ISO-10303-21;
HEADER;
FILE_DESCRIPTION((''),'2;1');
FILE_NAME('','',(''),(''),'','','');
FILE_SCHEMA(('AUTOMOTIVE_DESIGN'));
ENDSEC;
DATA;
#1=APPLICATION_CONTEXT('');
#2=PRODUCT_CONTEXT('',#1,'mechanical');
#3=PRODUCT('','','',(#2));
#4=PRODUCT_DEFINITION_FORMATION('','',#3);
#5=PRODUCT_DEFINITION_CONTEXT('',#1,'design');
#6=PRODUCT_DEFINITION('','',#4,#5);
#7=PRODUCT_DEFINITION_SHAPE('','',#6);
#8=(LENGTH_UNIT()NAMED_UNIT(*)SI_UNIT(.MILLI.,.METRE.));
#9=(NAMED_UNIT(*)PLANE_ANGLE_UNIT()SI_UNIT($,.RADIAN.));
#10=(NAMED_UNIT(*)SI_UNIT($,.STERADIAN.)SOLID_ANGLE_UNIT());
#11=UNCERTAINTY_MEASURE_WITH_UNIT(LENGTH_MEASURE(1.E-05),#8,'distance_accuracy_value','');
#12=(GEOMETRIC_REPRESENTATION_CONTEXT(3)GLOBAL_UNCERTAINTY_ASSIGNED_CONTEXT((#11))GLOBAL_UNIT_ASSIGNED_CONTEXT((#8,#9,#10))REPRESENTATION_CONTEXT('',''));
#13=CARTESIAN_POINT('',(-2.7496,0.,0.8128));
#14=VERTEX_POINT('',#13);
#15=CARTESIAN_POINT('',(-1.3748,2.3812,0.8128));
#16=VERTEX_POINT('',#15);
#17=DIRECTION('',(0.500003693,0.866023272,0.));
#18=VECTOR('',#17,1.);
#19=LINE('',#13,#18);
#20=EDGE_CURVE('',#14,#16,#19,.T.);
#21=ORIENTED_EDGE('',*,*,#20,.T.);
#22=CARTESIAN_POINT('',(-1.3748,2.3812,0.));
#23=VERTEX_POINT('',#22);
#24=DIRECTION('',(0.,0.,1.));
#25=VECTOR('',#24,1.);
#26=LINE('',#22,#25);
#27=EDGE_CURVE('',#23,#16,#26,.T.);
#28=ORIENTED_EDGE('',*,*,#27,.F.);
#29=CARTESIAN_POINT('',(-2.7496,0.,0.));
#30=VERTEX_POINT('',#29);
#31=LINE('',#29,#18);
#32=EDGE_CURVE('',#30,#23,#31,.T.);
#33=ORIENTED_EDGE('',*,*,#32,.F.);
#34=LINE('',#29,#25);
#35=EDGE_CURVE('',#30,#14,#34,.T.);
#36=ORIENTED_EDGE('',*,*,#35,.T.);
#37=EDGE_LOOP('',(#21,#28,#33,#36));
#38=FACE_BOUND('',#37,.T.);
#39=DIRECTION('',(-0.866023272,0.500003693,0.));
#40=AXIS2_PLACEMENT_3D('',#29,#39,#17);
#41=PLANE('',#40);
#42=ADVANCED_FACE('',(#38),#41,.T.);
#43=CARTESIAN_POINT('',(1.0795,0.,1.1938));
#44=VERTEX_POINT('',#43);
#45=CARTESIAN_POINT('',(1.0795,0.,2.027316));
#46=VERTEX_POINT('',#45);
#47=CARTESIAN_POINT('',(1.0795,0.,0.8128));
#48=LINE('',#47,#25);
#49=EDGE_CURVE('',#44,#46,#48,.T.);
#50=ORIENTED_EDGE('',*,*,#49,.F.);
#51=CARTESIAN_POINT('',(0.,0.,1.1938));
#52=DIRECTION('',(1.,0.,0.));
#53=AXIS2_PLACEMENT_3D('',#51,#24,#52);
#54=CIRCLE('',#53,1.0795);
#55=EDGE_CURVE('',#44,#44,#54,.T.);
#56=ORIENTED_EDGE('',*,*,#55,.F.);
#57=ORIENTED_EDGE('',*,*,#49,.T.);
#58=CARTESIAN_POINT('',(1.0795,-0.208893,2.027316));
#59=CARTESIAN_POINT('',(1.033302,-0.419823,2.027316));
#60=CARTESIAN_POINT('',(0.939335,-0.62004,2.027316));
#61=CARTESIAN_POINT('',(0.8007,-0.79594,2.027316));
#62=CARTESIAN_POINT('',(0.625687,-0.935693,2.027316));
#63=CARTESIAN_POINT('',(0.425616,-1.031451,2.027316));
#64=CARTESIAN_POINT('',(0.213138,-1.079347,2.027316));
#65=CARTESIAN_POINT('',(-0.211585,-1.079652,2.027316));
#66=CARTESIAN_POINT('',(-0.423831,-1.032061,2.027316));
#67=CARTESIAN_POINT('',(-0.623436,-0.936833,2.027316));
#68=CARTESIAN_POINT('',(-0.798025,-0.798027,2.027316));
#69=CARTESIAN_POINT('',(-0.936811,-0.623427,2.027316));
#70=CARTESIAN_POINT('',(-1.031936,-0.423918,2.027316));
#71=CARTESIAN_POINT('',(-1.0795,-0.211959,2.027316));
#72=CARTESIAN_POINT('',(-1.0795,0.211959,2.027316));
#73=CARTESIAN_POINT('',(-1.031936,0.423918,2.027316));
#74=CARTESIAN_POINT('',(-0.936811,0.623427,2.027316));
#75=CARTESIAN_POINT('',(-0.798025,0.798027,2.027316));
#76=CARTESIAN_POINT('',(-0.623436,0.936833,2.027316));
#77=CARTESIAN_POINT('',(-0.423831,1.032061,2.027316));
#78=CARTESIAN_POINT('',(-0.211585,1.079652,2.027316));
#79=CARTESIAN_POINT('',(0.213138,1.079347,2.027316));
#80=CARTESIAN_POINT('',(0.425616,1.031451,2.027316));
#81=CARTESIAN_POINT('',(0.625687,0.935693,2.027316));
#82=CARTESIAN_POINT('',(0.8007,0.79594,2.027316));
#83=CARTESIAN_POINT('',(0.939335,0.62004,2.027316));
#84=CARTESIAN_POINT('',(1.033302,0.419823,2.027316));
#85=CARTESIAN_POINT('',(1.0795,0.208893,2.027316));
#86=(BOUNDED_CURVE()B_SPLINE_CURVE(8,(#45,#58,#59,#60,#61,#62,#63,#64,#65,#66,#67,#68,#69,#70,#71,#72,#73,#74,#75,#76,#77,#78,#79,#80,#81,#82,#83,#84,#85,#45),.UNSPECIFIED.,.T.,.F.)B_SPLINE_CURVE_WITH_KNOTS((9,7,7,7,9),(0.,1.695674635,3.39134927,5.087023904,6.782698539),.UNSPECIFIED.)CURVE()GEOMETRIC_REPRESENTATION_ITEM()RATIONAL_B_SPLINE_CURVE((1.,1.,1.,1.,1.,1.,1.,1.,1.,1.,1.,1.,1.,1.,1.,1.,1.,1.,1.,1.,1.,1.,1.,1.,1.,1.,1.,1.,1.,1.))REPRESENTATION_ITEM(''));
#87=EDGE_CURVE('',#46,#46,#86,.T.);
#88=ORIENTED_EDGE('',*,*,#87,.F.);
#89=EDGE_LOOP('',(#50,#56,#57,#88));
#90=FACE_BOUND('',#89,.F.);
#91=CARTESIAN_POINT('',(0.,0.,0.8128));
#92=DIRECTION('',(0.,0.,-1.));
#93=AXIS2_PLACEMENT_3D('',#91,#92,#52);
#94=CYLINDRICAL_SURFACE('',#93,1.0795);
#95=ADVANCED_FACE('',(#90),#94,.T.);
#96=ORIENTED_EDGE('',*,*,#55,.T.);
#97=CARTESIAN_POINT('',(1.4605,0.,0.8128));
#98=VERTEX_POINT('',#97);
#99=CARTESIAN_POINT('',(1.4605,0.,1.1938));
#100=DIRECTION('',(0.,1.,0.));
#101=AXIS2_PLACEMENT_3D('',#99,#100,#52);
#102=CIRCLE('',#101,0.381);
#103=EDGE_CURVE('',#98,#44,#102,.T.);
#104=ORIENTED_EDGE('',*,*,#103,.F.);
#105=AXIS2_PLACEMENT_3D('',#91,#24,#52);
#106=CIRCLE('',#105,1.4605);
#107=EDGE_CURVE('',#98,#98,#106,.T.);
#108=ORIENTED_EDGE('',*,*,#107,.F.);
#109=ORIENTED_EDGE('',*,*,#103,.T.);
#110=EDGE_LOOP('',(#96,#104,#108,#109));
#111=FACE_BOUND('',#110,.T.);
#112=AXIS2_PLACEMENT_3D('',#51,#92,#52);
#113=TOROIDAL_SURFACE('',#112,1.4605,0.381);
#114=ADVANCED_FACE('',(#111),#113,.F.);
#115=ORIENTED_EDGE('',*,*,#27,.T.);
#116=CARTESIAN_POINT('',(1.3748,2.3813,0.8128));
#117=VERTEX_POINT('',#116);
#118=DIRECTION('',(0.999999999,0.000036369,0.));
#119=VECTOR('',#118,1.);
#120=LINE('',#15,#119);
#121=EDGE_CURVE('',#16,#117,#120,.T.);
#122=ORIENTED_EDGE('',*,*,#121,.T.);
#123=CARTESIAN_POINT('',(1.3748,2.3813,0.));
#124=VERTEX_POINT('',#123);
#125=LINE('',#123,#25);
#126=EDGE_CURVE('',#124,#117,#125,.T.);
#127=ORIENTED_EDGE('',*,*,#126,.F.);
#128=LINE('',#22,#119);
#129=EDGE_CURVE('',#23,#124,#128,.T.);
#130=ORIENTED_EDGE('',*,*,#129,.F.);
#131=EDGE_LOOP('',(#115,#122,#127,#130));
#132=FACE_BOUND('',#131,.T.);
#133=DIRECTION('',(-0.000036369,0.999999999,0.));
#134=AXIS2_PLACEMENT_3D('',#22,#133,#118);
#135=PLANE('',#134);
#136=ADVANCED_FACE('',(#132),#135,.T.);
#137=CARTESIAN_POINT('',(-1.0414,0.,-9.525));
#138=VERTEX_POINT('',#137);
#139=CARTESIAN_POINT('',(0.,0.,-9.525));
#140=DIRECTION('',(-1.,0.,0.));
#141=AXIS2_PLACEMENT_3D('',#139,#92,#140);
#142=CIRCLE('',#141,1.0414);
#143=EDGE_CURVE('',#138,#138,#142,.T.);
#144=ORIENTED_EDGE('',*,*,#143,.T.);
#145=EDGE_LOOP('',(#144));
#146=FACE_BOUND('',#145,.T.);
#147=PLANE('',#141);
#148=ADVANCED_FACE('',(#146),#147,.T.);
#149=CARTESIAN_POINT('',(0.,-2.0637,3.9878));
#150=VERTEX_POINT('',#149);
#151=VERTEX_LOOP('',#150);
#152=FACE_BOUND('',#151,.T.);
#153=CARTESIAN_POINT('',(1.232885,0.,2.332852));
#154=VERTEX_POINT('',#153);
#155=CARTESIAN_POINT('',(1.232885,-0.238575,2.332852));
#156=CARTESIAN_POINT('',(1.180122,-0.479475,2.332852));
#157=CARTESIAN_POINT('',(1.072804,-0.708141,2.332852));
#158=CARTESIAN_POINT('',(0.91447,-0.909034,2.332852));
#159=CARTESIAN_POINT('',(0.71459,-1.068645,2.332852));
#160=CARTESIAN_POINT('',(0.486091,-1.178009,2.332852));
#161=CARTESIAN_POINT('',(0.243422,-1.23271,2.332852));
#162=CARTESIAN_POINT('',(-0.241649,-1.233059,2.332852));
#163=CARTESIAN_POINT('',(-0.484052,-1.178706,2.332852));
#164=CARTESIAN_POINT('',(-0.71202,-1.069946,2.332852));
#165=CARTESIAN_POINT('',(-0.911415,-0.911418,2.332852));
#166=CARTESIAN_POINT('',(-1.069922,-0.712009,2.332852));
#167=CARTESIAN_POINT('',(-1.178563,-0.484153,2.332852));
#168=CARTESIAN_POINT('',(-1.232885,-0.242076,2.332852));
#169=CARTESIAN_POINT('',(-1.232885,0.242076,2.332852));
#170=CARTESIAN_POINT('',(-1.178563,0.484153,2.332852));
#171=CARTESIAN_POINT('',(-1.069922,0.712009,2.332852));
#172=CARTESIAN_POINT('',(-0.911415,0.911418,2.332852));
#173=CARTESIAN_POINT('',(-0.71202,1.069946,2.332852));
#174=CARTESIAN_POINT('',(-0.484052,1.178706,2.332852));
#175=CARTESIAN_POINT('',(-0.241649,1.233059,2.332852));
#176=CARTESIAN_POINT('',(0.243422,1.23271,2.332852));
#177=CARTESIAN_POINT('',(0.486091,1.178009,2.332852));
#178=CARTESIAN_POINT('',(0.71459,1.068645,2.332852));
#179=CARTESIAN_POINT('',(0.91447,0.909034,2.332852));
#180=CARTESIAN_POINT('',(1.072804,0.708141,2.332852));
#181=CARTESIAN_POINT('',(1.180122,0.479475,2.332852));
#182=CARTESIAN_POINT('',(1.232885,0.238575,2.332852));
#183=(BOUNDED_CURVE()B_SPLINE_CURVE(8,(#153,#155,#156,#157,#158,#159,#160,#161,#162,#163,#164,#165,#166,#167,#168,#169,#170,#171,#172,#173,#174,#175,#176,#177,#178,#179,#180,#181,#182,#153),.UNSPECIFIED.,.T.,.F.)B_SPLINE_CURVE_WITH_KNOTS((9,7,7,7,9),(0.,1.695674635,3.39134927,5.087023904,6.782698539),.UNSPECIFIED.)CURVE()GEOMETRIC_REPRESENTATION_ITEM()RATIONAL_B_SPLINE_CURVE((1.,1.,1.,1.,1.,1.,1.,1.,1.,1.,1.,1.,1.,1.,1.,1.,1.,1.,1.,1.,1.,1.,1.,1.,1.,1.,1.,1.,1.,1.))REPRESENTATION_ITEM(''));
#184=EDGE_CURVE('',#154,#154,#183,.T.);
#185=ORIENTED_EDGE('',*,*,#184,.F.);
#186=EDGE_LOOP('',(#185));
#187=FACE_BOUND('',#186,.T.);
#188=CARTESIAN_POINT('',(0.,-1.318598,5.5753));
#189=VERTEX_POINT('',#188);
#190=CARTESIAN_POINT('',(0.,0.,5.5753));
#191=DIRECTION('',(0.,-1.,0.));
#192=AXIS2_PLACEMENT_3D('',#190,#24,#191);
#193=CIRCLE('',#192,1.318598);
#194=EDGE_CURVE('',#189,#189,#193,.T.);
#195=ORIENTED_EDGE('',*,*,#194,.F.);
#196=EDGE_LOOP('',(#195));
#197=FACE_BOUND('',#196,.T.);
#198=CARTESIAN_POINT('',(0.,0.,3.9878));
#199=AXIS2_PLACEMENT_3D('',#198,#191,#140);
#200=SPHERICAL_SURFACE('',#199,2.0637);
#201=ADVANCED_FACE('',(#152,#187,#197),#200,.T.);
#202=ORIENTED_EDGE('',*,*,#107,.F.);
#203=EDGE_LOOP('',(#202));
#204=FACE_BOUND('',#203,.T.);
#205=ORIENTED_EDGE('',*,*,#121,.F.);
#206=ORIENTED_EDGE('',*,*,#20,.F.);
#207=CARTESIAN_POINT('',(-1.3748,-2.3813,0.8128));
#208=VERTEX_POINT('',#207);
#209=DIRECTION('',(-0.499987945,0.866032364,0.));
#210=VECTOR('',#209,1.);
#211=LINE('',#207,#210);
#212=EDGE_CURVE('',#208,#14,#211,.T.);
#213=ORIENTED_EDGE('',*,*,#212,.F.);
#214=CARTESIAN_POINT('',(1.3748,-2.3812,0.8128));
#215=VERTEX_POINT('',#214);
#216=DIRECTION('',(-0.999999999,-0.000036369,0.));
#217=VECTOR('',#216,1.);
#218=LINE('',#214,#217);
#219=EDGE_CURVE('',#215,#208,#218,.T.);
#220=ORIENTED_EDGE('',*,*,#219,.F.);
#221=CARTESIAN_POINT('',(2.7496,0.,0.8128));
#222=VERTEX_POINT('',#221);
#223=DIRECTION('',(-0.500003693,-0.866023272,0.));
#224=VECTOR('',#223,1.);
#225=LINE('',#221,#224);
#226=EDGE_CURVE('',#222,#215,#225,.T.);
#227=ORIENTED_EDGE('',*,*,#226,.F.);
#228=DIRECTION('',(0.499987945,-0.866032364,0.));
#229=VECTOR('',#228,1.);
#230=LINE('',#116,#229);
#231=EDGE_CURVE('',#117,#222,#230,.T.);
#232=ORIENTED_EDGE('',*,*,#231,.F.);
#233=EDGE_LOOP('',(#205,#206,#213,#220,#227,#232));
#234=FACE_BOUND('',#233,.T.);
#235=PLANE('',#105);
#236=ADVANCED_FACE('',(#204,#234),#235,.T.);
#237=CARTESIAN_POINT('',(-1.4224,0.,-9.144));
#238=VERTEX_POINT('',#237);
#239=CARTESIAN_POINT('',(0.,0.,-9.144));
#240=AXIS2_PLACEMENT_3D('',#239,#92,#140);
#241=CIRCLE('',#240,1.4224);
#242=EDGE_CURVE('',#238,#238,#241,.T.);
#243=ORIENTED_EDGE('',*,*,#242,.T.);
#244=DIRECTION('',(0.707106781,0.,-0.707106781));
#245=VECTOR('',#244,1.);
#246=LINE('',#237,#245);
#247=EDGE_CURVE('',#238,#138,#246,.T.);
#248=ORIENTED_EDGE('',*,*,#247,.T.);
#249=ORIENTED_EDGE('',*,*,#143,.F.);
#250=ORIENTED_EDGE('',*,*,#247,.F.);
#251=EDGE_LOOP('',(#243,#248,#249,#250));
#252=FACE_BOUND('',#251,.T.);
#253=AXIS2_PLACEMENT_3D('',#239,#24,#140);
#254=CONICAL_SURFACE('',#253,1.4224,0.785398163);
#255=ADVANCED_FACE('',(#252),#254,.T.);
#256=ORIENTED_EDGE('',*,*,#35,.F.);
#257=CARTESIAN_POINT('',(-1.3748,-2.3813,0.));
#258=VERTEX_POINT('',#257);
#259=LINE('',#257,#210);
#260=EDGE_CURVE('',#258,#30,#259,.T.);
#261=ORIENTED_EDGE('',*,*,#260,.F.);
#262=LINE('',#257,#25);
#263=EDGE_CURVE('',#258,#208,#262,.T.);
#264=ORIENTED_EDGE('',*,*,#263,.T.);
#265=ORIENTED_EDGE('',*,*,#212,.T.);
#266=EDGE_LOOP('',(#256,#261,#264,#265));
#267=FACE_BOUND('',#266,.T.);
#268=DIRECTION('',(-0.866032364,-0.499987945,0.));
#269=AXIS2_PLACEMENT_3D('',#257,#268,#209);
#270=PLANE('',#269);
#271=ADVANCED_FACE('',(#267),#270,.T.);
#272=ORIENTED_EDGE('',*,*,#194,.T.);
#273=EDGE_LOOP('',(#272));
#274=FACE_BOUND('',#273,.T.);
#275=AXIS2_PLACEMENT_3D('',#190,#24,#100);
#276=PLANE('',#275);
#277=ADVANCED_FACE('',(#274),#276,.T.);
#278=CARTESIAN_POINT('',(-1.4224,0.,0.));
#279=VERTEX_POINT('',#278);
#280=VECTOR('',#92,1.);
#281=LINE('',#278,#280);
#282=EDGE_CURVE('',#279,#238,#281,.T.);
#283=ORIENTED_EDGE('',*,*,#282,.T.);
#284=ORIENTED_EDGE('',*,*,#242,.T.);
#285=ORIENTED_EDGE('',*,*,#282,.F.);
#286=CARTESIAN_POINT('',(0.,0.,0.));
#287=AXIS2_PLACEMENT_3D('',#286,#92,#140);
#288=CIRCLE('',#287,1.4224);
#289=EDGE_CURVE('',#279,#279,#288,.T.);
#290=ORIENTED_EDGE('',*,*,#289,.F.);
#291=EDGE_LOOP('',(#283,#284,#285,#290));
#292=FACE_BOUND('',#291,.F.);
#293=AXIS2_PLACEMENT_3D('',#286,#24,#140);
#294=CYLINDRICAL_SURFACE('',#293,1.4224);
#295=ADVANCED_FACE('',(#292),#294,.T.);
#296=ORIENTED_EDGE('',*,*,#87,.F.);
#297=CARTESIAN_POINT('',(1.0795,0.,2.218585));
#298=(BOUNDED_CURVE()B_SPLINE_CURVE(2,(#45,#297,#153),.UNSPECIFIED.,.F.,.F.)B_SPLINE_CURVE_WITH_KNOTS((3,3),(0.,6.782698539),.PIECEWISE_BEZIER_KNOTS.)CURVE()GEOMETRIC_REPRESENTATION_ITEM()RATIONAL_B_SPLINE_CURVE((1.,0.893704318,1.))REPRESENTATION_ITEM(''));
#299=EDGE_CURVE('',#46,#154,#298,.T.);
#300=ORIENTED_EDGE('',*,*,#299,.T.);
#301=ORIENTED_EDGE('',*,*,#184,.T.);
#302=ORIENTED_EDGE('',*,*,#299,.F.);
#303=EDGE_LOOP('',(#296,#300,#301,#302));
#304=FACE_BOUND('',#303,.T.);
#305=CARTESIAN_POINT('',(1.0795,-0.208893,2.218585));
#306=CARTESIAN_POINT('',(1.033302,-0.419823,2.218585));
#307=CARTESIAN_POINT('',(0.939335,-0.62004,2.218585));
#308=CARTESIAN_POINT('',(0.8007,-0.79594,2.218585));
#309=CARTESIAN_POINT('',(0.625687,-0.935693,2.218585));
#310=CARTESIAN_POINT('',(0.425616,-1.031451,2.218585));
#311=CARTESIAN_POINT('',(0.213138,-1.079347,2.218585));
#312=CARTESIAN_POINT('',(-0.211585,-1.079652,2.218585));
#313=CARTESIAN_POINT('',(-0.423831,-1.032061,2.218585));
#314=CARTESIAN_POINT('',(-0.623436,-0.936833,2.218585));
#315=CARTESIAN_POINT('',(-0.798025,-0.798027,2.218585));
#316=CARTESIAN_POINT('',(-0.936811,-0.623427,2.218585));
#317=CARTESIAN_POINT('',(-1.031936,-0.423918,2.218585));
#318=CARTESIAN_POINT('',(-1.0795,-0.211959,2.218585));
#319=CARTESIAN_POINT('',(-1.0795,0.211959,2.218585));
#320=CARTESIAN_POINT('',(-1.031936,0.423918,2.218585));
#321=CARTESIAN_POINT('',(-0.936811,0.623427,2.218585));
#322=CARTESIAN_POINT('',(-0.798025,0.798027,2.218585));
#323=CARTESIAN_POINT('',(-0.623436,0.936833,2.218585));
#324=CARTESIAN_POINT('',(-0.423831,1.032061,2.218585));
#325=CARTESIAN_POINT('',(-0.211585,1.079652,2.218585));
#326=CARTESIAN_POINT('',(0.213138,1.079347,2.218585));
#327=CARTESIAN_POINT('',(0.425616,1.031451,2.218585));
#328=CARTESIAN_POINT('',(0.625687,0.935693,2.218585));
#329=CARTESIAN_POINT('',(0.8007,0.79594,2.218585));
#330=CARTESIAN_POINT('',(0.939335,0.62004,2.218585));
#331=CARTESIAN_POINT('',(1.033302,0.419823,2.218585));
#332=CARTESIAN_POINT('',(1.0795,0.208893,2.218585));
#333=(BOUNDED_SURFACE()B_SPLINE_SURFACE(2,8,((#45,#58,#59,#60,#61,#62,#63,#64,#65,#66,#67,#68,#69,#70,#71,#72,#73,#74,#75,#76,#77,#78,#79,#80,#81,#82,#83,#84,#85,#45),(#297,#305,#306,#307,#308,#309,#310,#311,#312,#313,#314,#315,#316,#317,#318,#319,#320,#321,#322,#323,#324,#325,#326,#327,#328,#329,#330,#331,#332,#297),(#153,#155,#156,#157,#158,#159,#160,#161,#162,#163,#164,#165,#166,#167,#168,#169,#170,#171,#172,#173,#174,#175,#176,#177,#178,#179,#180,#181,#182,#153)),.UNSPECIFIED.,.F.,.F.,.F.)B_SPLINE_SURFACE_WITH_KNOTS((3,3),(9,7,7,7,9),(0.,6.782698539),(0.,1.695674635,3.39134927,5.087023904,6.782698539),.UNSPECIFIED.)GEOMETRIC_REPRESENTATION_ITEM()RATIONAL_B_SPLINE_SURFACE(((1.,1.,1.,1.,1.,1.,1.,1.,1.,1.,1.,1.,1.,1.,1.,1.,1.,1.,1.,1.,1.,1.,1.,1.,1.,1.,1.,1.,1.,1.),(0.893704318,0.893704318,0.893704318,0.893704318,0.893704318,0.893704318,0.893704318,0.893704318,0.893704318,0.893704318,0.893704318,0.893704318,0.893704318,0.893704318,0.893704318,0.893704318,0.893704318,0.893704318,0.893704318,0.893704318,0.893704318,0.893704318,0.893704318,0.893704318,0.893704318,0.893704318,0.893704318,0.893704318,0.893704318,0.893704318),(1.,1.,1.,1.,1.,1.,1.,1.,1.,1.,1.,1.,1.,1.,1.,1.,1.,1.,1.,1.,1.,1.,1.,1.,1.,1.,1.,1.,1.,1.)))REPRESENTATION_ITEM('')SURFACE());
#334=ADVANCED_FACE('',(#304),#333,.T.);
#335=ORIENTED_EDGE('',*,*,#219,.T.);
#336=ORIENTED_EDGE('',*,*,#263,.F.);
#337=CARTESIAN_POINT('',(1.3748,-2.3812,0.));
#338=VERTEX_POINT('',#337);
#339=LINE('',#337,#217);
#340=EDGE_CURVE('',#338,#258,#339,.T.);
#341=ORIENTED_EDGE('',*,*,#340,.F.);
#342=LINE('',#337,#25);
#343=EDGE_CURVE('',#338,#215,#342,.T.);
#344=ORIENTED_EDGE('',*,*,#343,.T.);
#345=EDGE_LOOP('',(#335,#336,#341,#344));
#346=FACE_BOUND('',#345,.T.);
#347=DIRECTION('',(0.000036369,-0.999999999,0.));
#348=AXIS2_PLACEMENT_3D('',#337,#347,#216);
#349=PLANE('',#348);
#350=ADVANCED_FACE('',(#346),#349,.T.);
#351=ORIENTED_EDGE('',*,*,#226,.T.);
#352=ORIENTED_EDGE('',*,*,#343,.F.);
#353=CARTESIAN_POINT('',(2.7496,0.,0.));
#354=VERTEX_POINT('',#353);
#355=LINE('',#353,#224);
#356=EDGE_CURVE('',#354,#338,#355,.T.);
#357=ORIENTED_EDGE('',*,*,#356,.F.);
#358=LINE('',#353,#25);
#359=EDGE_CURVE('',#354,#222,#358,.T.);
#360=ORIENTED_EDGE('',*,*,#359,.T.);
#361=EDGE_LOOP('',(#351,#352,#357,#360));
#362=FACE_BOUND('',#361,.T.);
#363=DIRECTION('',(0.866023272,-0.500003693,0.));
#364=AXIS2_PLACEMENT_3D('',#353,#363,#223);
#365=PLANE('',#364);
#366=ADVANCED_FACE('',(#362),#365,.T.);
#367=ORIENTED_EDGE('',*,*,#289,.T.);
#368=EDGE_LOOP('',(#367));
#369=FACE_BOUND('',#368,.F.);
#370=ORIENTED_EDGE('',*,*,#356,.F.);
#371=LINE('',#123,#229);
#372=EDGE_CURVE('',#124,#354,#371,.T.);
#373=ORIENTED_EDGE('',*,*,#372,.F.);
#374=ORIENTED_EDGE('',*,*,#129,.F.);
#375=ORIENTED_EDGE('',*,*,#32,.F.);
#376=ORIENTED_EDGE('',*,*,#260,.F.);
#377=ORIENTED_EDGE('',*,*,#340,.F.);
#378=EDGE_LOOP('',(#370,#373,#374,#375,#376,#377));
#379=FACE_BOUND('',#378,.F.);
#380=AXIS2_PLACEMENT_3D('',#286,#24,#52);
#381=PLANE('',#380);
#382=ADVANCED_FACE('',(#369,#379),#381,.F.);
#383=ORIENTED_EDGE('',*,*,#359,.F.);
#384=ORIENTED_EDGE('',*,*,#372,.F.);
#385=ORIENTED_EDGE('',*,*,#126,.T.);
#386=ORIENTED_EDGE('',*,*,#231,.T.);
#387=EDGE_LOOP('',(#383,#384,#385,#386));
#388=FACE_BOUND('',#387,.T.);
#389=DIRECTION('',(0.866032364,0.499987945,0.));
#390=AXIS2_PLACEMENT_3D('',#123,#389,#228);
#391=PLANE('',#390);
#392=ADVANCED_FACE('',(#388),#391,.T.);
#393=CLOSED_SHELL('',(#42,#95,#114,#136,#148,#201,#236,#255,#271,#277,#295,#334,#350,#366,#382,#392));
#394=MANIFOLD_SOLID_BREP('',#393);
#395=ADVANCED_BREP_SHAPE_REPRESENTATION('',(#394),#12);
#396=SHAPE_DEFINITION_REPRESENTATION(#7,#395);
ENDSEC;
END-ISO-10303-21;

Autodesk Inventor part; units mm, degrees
ref_plane "YZ Plane" through (0, 0, 0) normal (1, 0, 0) x (0, 1, 0)
ref_plane "XZ Plane" through (0, 0, 0) normal (0, 1, 0) x (-1, 0, 0)
sketch "Sketch1" plane through (0, 0, 0) normal (0, 0, 1) x (1, 0, 0)
  circle A0 centre (0, 0) radius 2.3813 construction
  line L0 (1.3748, 2.3813) -> (2.7496, 0)
  line L1 (2.7496, 0) -> (1.3748, -2.3812)
  line L2 (1.3748, -2.3812) -> (-1.3748, -2.3813)
  line L3 (-1.3748, -2.3813) -> (-2.7496, 0)
  line L4 (-2.7496, 0) -> (-1.3748, 2.3812)
  line L5 (-1.3748, 2.3812) -> (1.3748, 2.3813)
  point P0 (0, 2.3813)
  dimension "d0" = 4.7625
extrude "Extrusion1" add sketch "Sketch1" along normal blind 0.8128
sketch "Sketch2" plane through (0, 0, 0.8128) normal (0, 0, 1) x (1, 0, 0)
  circle A0 centre (0, 0) radius 1.0795
  dimension "d3" = 2.159
extrude "Extrusion2" add sketch "Sketch2" along normal blind 3.175
sketch "Sketch3" plane through (0, 0, 3.9878) normal (0, 0, 1) x (1, 0, 0)
  circle A0 centre (0, 0) radius 1.0795 projected
  circle A1 centre (0, 0) radius 2.0637
  line L0 (0, 2.0637) -> (0, -2.0637)
  dimension "d6" = 4.1275
revolve "Revolution1" add sketch "Sketch3" angle 360 about axis through (0, 2.0637, 3.9878) along (0, -1, 0) picked at (-0.2386, -0.2693) picked at (-0.2507, -1.7052) contours L0 A0 | A0 L0 A1
fillet "Fillet1" radius 0.381 2 edges at (-1.0795, 0, 0.8128) (-1.0795, 0, 2.2289)
ref_plane "Work Plane1" through (0, 0, 5.5753) normal (0, 0, 1) x (1, 0, 0)
split "Split1" plane through (0, 0, 5.5753) removes the side toward (0, 0, 1)
sketch "Sketch4" plane through (0, 0, 0) normal (0, 0, -1) x (-1, 0, 0)
  circle A0 centre (0, 0) radius 1.2329 projected
  circle A1 centre (0, 0) radius 1.4224
  dimension "d10" = 2.8448
extrude "Extrusion3" add sketch "Sketch4" along normal blind 9.525 contours A0 | A1
chamfer "Chamfer1" distance 0.381 angle 45 1 edges at (1.4224, 0, -9.525)
thread "Thread1" size "4-40 UNC" class "2A" standard "ANSI Unified Screw Threads" full length
properties part number "0.1875 Ball Stud 0.375"
